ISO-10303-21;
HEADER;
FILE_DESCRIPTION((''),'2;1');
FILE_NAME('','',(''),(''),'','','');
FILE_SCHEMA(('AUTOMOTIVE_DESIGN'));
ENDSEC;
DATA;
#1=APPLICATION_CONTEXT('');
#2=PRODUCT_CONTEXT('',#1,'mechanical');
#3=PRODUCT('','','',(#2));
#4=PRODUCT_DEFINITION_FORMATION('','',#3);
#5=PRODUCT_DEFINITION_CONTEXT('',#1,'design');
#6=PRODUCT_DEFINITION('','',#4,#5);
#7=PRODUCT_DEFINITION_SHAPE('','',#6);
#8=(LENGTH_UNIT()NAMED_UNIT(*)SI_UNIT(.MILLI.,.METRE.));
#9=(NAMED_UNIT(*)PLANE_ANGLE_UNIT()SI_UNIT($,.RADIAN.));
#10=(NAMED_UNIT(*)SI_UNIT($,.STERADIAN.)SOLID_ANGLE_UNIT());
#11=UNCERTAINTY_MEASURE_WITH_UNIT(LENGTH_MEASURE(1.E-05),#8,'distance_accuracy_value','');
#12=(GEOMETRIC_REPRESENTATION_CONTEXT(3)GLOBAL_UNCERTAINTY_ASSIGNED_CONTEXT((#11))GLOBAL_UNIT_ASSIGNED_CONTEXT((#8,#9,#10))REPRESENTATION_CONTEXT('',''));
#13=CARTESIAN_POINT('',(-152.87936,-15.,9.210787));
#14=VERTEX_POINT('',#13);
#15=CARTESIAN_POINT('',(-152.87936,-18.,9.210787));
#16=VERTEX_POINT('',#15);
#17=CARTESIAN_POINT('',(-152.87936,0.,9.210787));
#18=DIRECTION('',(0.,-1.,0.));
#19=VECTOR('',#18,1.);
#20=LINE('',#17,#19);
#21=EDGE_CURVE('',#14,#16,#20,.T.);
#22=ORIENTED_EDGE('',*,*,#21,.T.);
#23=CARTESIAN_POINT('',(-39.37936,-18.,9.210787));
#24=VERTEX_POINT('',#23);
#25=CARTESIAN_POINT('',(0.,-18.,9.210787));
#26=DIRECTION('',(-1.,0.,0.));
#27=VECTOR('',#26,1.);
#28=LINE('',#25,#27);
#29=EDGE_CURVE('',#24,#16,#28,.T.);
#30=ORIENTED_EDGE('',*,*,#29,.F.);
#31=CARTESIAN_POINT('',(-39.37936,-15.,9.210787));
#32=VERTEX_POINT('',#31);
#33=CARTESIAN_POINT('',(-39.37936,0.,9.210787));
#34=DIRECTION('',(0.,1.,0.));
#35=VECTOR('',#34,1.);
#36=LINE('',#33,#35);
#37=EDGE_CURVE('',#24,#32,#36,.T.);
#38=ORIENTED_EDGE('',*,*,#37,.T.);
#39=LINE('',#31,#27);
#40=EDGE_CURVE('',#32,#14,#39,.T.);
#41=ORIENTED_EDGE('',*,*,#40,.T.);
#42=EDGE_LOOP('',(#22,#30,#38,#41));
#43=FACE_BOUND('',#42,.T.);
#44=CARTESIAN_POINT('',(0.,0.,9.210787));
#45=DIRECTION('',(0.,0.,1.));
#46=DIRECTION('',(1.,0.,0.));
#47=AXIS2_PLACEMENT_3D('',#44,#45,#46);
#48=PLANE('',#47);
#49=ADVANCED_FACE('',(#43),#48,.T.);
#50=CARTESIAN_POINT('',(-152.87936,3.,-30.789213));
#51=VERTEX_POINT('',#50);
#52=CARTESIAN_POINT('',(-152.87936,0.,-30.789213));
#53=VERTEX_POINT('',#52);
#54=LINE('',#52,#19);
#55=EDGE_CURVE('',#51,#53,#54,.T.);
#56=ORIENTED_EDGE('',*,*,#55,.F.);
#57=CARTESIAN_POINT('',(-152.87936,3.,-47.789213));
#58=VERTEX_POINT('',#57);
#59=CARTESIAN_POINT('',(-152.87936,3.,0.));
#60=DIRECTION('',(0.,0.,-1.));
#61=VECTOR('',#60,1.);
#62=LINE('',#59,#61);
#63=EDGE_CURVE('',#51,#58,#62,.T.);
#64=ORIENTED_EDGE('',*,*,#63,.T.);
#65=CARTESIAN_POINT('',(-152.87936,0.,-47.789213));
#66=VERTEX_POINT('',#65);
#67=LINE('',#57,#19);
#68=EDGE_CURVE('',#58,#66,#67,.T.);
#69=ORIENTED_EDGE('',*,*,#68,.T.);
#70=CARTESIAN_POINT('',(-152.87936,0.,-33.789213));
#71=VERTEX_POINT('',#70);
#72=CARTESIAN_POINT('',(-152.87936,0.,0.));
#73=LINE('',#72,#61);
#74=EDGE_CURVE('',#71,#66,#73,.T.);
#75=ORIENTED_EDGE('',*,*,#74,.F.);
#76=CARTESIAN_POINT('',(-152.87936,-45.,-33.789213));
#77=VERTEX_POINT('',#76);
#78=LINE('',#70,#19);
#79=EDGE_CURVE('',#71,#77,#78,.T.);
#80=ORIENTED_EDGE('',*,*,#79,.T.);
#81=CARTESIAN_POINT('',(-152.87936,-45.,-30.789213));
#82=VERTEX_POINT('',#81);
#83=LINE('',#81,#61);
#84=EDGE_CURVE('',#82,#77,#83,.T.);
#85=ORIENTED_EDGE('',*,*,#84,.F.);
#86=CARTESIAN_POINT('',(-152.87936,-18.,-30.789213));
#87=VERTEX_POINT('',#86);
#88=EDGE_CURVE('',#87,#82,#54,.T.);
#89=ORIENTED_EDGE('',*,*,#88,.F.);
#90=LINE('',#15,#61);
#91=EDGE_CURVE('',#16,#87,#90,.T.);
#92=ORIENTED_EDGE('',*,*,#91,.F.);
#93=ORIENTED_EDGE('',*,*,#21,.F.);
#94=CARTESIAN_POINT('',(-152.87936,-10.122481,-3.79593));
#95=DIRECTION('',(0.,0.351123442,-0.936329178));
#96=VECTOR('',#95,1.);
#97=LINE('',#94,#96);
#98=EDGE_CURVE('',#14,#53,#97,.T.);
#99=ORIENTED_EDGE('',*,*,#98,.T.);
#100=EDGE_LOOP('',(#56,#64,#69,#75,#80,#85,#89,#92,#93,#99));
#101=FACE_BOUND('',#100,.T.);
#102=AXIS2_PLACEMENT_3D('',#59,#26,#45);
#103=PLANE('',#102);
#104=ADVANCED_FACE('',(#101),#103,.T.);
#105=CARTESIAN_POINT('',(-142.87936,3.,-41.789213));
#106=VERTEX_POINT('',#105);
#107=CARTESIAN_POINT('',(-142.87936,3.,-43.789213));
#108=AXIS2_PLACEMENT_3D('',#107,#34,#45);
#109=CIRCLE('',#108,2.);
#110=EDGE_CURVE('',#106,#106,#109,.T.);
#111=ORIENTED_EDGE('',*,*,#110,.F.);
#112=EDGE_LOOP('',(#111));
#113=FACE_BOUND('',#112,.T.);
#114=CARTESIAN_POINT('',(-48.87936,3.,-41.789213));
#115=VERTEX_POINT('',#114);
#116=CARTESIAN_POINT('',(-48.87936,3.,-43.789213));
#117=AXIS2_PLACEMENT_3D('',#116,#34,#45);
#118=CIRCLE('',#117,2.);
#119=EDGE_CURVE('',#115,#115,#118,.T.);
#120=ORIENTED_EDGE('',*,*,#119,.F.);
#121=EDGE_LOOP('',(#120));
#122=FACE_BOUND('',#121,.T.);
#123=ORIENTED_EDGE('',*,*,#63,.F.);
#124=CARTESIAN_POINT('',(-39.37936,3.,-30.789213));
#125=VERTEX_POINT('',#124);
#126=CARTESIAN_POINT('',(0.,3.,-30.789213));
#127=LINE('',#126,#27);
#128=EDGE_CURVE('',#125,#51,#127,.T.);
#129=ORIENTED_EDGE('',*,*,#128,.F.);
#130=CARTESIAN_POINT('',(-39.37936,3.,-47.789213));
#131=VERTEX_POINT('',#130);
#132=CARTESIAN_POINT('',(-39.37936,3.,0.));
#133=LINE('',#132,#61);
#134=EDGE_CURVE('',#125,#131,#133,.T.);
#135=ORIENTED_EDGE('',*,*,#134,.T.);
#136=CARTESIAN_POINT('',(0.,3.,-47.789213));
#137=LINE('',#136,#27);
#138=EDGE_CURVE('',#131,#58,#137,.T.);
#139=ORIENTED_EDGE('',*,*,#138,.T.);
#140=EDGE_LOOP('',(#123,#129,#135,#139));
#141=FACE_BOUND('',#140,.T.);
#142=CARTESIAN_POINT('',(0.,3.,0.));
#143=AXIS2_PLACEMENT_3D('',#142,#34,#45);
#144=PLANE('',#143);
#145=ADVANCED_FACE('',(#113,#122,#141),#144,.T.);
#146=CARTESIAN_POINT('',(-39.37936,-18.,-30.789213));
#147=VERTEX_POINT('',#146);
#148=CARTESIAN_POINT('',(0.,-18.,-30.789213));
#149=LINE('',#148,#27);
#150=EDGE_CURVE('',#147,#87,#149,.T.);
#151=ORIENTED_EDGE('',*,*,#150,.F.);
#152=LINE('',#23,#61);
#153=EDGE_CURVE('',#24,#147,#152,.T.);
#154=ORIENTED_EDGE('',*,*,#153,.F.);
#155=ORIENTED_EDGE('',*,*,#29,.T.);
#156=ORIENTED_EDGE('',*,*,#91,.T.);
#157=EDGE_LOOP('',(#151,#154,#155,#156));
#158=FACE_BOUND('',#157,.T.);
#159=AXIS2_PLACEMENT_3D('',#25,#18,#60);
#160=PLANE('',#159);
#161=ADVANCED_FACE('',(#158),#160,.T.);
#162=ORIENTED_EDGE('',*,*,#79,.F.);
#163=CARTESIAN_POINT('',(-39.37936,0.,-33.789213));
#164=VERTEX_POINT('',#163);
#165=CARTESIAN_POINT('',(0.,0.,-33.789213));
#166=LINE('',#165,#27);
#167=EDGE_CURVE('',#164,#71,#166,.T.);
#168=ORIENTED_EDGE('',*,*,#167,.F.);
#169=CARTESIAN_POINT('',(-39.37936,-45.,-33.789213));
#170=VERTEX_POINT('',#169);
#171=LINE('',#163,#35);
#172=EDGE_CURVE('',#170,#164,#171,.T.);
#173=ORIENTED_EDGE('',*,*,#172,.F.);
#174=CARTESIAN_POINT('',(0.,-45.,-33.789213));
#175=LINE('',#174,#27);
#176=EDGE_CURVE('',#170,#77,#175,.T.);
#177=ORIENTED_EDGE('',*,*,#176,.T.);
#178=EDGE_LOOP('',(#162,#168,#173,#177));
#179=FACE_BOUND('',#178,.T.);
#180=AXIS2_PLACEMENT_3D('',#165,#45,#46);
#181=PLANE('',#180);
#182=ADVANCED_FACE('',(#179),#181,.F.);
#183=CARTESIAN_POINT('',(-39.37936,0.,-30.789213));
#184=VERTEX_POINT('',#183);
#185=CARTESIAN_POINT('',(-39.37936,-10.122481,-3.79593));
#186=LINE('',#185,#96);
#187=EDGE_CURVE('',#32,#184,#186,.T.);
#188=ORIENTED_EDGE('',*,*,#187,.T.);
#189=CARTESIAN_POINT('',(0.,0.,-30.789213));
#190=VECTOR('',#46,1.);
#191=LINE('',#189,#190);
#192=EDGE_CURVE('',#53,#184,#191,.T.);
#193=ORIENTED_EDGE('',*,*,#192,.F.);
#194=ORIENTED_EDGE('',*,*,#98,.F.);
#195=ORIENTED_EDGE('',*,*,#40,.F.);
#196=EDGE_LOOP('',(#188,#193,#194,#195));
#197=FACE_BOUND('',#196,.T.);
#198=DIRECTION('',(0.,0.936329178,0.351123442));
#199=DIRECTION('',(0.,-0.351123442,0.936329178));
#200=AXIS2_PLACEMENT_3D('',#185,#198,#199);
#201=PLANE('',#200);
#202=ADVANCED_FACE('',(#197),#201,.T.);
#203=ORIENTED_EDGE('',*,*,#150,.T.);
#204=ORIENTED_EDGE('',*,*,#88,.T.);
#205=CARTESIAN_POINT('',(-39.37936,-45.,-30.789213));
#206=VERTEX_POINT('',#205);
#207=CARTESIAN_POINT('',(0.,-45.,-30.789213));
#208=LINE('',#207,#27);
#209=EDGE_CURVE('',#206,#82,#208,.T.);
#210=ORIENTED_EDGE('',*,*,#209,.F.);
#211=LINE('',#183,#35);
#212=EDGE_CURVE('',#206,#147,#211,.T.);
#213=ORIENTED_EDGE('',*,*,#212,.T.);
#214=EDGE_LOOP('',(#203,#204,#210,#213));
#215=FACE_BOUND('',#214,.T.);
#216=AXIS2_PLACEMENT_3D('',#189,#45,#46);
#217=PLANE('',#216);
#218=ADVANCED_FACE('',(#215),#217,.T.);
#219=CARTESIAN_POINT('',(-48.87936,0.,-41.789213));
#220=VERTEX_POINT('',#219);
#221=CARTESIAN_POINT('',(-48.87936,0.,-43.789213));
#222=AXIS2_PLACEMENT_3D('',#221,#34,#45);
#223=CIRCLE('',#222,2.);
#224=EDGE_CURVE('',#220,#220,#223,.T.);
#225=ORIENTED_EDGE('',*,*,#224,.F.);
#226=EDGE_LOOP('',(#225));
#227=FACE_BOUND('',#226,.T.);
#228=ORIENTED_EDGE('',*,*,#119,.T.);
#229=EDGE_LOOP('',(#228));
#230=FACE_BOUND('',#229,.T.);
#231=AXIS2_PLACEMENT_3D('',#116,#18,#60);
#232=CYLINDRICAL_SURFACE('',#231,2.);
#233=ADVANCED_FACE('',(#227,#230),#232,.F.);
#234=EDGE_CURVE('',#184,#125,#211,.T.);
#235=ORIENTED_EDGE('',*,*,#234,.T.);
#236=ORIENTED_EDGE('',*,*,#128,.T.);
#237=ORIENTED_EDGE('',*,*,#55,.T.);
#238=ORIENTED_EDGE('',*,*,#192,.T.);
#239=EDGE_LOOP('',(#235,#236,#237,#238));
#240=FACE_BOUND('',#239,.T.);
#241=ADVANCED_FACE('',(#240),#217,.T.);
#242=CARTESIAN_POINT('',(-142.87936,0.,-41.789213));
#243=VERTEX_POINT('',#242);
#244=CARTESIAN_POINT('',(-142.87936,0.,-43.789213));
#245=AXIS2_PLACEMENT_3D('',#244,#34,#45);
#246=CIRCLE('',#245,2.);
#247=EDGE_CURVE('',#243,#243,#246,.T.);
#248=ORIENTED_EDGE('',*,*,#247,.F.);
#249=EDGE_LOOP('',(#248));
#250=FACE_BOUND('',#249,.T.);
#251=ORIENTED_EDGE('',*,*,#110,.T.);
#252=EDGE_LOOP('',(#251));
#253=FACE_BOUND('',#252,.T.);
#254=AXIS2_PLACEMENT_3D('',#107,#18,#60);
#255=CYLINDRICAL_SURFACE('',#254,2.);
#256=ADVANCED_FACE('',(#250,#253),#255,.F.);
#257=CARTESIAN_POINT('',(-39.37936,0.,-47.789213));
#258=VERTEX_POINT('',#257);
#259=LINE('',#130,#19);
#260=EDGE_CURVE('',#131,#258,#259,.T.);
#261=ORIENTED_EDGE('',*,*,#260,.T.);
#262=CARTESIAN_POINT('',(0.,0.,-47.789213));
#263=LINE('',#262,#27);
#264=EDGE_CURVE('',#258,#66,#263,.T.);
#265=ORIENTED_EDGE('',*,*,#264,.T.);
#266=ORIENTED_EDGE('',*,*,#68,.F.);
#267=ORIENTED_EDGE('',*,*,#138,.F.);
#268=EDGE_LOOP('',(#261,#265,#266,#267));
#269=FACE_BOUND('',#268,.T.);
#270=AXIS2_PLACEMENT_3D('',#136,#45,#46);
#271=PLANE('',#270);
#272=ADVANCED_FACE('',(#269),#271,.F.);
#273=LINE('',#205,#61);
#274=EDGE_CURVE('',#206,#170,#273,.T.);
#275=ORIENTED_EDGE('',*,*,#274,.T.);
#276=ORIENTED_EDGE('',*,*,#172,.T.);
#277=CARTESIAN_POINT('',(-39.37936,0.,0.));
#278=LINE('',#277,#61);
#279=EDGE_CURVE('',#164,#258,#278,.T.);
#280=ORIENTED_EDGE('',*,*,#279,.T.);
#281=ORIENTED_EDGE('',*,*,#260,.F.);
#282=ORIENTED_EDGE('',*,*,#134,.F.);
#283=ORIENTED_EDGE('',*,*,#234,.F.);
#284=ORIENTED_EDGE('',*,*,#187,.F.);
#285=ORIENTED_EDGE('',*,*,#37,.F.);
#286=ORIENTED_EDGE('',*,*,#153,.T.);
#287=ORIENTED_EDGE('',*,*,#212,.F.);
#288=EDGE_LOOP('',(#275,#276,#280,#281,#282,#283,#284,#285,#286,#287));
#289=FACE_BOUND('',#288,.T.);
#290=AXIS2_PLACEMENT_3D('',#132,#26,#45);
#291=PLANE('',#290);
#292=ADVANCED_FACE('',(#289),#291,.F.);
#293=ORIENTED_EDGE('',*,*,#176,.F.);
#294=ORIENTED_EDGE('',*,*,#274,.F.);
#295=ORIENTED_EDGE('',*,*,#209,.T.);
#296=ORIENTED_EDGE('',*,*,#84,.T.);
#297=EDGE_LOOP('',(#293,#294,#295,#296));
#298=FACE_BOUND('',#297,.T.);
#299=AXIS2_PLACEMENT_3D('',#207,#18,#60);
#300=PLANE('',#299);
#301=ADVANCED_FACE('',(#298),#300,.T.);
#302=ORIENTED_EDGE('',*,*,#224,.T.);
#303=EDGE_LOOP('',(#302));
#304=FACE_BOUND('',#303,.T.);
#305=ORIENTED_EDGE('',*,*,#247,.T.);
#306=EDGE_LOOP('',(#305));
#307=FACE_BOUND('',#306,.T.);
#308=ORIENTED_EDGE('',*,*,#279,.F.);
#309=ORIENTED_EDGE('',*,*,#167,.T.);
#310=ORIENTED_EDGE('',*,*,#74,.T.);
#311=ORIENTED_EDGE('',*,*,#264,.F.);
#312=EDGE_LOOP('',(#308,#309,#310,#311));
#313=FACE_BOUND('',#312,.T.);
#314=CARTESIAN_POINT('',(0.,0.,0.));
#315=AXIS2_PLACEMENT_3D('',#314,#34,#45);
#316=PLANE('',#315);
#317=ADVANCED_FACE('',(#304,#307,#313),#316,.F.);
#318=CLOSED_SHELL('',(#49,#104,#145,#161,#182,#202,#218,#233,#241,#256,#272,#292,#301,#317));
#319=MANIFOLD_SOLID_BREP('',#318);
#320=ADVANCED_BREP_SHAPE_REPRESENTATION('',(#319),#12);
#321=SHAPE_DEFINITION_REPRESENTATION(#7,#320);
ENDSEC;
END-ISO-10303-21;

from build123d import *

# Parameters (mm, degrees)
BOSS_EXTRU_1_DEPTH      = 3
ESQUISSE2_W             = 113.5
ESQUISSE2_H             = 3
ESQUISSE2_H_2           = 45
BOSS_EXTRU_2_DEPTH      = 3
ESQUISSE3_W             = 113.5
ESQUISSE3_H             = 18
BOSS_EXTRU_3_DEPTH      = 40
ENL_V_MAT_EXTRU_1_DEPTH = 132.114678423


with BuildPart() as part:
    # Esquisse1 → Boss.-Extru.1 (new body)
    with BuildSketch(Plane(origin=(0, 0, 0), x_dir=(1, 0, 0), z_dir=(0, 1, 0))):
        with BuildLine():
            Line((-46.879360142, 43.789213198), (-39.379360142, 43.789213198))
            Line((-39.379360142, 43.789213198), (-39.379360142, 47.789213198))
            Line((-39.379360142, 47.789213198), (-152.879360142, 47.789213198))
            Line((-152.879360142, 47.789213198), (-152.879360142, 43.789213198))
            Line((-152.879360142, 43.789213198), (-144.879360142, 43.789213198))
            ThreePointArc((-144.879360142, 43.789213198), (-142.879360142, 45.789213198), (-140.879360142, 43.789213198))
            Line((-140.879360142, 43.789213198), (-50.879360142, 43.789213198))
            ThreePointArc((-50.879360142, 43.789213198), (-48.879360142, 45.789213198), (-46.879360142, 43.789213198))
        make_face()
        with BuildLine():
            Line((-39.379360142, 33.789213198), (-39.379360142, 43.789213198))
            Line((-39.379360142, 43.789213198), (-46.879360142, 43.789213198))
            ThreePointArc((-46.879360142, 43.789213198), (-48.879360142, 41.789213198), (-50.879360142, 43.789213198))
            Line((-50.879360142, 43.789213198), (-140.879360142, 43.789213198))
            ThreePointArc((-140.879360142, 43.789213198), (-142.879360142, 41.789213198), (-144.879360142, 43.789213198))
            Line((-144.879360142, 43.789213198), (-152.879360142, 43.789213198))
            Line((-152.879360142, 43.789213198), (-152.879360142, 33.789213198))
            Line((-152.879360142, 33.789213198), (-39.379360142, 33.789213198))
        make_face()
    extrude(amount=BOSS_EXTRU_1_DEPTH)

    # Esquisse2 → Boss.-Extru.2 (add)
    with BuildSketch(Plane.XY.offset(-33.789213198)):
        with Locations((-96.129360142, 1.5)):
            Rectangle(ESQUISSE2_W, ESQUISSE2_H)
        with Locations((-96.129360142, -22.5)):
            Rectangle(ESQUISSE2_W, ESQUISSE2_H_2)
    extrude(amount=BOSS_EXTRU_2_DEPTH)

    # Esquisse3 → Boss.-Extru.3 (add)
    with BuildSketch(Plane.XY.offset(-30.789213198)):
        with Locations((-96.129360142, -9)):
            Rectangle(ESQUISSE3_W, ESQUISSE3_H)
    extrude(amount=BOSS_EXTRU_3_DEPTH)

    # Esquisse5 → Enlèv. mat.-Extru.1 (cut, through all)
    with BuildSketch(Plane.ZY.offset(152.879360142)):
        Polygon((-30.789213198, 0), (9.210786802, -15), (9.210786802, 0), align=None)
    extrude(amount=-ENL_V_MAT_EXTRU_1_DEPTH, mode=Mode.SUBTRACT)


solid = part.part
